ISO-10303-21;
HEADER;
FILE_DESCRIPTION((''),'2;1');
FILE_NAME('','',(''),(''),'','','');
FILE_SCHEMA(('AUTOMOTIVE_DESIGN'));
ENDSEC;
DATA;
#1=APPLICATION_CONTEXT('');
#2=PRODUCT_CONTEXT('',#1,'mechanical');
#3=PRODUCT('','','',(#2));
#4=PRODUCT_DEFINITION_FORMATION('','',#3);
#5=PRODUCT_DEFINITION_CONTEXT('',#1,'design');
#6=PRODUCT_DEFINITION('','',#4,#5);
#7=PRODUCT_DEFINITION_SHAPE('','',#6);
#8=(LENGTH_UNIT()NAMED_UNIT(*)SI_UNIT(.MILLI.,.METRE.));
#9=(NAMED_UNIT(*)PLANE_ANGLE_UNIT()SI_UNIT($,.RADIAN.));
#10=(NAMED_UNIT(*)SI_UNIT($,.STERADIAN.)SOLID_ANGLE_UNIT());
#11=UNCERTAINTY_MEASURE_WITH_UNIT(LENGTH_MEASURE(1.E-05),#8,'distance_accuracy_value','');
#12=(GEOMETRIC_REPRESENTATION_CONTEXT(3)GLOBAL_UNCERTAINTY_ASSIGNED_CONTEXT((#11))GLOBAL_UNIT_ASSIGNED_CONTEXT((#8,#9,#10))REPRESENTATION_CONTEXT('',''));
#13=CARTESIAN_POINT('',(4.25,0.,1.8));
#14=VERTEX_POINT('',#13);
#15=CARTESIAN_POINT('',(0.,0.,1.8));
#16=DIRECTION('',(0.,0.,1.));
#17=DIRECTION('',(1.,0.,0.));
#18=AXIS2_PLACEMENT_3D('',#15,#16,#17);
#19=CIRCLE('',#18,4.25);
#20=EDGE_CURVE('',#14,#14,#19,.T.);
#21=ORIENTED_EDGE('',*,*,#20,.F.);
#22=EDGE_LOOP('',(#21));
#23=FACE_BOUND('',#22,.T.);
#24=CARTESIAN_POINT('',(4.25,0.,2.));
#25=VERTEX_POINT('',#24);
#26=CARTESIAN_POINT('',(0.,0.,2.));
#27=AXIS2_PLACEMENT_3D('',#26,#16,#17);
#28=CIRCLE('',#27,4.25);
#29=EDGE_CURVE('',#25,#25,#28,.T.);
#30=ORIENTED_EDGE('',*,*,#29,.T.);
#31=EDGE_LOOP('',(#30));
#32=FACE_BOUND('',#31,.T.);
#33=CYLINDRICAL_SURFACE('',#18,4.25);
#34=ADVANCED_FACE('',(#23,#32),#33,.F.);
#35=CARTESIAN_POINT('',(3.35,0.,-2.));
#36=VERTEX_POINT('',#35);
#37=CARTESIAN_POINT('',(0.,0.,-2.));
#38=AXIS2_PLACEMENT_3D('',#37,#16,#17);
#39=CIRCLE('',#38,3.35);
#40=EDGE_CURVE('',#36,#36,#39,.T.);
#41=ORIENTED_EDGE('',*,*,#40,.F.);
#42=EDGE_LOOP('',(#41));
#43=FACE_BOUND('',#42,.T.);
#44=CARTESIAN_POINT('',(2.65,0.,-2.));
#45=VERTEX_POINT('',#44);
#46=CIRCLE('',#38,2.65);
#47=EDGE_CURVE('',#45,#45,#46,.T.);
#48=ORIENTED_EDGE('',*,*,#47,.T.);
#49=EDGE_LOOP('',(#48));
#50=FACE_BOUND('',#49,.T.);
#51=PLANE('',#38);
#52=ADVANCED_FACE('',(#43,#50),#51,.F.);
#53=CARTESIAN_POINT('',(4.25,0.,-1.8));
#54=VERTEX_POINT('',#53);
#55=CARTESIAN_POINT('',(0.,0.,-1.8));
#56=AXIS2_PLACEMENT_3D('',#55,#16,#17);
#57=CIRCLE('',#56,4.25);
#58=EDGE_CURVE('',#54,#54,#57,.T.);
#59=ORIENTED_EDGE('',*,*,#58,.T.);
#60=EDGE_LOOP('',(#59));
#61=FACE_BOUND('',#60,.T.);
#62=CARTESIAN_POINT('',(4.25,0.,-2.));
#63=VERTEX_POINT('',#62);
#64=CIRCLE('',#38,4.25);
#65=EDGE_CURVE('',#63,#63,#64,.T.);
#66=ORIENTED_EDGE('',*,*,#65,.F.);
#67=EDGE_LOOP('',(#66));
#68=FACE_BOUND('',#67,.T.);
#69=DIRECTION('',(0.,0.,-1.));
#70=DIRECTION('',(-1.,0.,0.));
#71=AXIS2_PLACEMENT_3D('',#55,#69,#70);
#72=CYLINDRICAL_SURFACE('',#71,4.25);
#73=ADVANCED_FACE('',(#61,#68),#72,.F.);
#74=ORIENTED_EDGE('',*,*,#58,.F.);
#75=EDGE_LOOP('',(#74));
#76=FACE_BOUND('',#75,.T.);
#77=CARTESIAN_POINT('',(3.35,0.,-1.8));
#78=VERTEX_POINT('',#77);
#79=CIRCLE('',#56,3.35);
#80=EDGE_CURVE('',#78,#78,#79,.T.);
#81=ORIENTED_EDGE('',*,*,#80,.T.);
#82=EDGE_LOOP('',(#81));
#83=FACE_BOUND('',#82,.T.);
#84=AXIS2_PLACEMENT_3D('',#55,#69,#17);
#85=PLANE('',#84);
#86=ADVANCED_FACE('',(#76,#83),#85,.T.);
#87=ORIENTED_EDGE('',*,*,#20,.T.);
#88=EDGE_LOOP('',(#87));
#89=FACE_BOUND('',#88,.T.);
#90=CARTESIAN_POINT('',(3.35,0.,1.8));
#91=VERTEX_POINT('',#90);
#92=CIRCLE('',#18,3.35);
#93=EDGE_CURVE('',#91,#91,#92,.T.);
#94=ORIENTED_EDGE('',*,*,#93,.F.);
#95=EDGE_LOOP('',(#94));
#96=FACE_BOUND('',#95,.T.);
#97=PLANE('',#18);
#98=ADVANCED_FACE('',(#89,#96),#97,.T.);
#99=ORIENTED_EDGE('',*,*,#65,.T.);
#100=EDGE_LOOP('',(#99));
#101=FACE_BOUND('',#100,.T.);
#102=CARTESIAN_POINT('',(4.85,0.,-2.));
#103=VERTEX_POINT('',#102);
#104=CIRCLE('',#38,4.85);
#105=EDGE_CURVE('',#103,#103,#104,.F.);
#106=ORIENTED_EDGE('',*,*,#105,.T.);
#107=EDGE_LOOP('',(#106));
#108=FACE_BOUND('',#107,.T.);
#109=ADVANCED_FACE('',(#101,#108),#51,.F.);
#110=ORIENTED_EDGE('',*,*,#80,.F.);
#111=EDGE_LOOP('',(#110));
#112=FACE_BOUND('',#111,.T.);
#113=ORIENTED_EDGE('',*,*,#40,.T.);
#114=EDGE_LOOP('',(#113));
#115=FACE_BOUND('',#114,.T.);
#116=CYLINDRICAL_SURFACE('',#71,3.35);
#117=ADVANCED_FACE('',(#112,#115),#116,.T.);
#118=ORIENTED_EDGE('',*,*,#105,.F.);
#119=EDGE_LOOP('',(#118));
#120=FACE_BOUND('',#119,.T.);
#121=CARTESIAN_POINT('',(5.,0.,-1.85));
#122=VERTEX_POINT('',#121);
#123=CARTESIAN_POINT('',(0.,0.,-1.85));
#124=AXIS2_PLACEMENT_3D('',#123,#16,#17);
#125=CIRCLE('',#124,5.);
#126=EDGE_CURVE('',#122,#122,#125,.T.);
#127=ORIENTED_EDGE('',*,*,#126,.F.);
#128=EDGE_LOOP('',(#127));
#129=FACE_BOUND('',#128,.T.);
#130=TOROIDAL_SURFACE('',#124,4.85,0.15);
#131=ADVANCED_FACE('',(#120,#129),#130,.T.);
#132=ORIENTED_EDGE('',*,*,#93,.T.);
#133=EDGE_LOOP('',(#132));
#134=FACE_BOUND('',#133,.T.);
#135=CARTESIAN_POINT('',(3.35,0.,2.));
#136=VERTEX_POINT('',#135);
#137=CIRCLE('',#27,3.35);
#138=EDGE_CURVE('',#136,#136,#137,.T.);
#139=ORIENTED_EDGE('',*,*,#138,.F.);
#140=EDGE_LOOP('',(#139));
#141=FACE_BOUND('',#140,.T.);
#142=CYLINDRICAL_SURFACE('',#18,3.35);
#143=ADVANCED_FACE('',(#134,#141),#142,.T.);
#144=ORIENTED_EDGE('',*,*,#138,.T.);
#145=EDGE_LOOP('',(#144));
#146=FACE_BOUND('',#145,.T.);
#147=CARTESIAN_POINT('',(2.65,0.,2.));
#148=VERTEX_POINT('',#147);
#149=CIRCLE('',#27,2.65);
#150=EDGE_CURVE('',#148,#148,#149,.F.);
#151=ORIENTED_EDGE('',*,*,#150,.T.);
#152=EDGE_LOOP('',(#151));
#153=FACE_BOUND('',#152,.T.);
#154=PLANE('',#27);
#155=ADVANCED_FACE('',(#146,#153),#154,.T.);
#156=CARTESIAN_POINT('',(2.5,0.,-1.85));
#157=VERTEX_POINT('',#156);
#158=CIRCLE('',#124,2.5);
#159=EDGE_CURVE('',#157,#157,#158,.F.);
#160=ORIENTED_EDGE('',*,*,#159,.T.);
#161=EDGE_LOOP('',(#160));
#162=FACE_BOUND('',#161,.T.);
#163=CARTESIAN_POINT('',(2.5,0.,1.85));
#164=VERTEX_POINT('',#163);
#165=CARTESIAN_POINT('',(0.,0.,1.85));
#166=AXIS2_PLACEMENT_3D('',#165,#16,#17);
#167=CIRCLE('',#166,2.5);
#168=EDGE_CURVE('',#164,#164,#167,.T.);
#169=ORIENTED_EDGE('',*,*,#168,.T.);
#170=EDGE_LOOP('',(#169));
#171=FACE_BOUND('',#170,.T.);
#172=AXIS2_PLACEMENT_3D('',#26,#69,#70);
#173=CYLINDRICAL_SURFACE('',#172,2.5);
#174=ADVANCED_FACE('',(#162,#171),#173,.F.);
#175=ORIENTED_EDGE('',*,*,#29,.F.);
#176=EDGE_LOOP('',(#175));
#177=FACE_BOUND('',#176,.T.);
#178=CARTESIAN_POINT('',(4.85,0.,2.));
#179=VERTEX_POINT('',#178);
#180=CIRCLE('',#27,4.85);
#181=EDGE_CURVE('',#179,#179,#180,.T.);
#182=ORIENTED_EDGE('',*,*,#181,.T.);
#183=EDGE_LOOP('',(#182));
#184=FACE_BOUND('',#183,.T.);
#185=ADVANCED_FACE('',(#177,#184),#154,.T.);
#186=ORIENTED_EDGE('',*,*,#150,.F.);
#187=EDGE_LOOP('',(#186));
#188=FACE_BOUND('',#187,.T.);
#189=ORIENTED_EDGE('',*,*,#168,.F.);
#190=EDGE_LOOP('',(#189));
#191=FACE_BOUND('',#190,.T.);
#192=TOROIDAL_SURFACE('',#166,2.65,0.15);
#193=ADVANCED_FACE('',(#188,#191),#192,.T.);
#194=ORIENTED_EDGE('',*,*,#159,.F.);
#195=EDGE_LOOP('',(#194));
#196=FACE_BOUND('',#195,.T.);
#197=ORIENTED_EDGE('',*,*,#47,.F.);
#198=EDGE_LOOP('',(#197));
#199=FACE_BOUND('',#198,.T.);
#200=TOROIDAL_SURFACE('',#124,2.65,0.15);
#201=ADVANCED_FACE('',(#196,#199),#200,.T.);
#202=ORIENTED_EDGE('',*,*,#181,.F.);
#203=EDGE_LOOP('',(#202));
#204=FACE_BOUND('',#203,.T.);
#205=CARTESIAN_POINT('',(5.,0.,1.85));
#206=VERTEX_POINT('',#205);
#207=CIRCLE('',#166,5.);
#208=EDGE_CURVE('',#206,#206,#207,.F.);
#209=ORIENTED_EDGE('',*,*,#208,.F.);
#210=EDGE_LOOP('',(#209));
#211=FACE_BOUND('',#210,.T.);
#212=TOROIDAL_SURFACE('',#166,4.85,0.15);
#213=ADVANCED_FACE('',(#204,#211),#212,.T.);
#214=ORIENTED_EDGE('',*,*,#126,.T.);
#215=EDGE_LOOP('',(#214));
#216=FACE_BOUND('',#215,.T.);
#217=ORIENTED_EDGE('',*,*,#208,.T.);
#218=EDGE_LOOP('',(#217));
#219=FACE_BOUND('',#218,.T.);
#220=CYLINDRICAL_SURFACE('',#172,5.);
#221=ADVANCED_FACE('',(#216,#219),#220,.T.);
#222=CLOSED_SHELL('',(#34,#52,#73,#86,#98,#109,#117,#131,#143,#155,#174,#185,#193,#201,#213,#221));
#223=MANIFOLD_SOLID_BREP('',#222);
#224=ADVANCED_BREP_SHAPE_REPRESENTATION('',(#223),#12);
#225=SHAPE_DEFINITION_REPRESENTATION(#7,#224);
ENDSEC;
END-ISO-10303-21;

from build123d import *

# Parameters (mm, degrees)
SKETCH_1_R          = 5
SKETCH_1_R_2        = 2.5
EXTRUDE_1_DEPTH     = 2
SKETCH_2_R          = 4.25
SKETCH_2_R_2        = 3.35
CUT_EXTRUDE_2_DEPTH = 0.2
FILLET_1_R          = 0.15


with BuildPart() as part:
    # 草图1 → 拉伸1 (new, symmetric)
    with BuildSketch(Plane.XY):
        Circle(SKETCH_1_R)
        Circle(SKETCH_1_R_2, mode=Mode.SUBTRACT)
    extrude(amount=EXTRUDE_1_DEPTH, both=True)

    # 草图2 → 拉伸2 (cut)
    with BuildSketch(Plane.XY.offset(2)):
        Circle(SKETCH_2_R)
        Circle(SKETCH_2_R_2, mode=Mode.SUBTRACT)
    cut_extrude_2 = extrude(amount=-CUT_EXTRUDE_2_DEPTH, mode=Mode.SUBTRACT)

    # 镜向1: 拉伸2 across plane
    add(cut_extrude_2.mirror(Plane.XY), mode=Mode.SUBTRACT)

    # 圆角1
    fillet_1_edges = [part.edges().sort_by_distance(p)[0] for p in [
        (-5, 0, -2),
        (-5, 0, 2),
        (-2.5, 0, -2),
        (-2.5, 0, 2),
    ]]
    fillet(fillet_1_edges, radius=FILLET_1_R)


solid = part.part
